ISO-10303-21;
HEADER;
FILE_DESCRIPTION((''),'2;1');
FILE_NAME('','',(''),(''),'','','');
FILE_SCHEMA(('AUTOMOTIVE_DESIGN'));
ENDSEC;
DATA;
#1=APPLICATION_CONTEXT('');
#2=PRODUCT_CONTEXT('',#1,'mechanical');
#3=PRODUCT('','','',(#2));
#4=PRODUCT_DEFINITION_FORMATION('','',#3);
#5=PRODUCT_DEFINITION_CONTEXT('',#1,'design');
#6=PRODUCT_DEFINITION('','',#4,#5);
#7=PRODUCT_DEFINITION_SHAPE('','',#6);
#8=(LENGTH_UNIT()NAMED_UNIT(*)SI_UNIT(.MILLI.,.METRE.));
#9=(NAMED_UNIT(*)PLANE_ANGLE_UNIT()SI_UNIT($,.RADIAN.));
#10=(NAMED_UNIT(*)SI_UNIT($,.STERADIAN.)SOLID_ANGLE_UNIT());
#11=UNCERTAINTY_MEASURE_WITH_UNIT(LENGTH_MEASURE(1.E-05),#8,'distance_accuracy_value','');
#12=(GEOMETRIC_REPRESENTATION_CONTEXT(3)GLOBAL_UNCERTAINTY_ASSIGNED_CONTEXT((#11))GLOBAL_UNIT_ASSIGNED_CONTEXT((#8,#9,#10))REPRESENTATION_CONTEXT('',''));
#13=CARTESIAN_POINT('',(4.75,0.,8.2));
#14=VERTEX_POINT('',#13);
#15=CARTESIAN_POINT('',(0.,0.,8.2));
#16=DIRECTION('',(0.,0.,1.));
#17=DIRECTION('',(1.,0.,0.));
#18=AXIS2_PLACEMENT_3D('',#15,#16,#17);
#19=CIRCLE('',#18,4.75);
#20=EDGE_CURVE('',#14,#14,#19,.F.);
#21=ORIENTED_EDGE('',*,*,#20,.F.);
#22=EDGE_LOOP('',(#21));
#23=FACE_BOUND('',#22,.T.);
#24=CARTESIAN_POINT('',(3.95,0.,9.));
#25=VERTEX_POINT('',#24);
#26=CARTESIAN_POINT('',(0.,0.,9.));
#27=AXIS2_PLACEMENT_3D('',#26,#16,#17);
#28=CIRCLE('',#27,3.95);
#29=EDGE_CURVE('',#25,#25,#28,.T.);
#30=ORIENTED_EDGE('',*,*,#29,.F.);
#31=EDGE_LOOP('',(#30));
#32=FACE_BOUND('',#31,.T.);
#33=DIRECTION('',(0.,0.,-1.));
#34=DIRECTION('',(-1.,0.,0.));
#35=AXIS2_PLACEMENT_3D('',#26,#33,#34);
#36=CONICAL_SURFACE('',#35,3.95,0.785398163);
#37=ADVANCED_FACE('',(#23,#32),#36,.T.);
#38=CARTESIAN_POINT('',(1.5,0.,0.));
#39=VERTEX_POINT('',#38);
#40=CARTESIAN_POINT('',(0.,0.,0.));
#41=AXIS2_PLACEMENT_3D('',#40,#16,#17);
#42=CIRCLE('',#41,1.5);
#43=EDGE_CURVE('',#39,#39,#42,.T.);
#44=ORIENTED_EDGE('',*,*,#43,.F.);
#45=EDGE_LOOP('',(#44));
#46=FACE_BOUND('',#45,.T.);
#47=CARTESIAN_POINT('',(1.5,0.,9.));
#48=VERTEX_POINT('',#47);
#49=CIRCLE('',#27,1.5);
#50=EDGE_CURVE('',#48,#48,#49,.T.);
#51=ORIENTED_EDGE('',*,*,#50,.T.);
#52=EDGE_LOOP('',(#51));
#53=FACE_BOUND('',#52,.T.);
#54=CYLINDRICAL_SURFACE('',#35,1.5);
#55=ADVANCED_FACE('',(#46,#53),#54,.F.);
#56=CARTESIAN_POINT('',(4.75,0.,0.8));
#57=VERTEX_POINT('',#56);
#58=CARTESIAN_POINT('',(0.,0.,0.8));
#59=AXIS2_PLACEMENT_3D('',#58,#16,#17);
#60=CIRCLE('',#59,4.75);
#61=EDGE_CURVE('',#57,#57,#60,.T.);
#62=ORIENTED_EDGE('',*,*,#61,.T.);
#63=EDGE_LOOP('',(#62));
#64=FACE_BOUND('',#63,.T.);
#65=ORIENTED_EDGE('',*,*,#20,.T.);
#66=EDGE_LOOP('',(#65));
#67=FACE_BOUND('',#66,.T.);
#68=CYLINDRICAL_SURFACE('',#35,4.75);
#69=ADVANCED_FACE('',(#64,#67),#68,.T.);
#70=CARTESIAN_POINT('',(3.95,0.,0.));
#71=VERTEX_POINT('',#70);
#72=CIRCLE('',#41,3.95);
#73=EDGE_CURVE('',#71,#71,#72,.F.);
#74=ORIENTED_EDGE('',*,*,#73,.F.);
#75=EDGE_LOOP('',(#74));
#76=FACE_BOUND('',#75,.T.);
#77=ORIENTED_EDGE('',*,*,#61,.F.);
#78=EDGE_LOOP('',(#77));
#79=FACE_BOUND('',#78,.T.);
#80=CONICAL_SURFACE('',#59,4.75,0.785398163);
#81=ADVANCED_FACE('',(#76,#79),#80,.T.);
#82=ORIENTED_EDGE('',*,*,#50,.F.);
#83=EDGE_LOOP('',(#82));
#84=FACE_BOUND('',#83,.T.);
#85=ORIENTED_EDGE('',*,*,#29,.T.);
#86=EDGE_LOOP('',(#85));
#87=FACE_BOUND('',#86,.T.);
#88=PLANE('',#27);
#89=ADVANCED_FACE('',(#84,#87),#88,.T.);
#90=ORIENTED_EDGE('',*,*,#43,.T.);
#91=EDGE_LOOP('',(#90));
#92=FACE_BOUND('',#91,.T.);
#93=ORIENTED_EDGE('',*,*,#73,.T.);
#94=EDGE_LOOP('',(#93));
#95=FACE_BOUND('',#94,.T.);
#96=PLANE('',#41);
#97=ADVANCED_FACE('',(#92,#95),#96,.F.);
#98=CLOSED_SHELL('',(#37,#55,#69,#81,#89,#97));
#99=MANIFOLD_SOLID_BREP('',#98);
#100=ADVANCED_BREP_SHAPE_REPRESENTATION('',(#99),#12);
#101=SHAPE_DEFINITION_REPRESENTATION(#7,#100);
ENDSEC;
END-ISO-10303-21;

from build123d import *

# Parameters (mm, degrees)
SKETCH1_R           = 4.75
SKETCH1_R_2         = 1.5
BOSS_EXTRUDE1_DEPTH = 9
CHAMFER1_SIZE       = 0.8


with BuildPart() as part:
    # Sketch1 → Boss-Extrude1 (new body)
    with BuildSketch(Plane.XY):
        Circle(SKETCH1_R)
        Circle(SKETCH1_R_2, mode=Mode.SUBTRACT)
    extrude(amount=BOSS_EXTRUDE1_DEPTH)

    # Chamfer1
    chamfer1_edges = [part.edges().sort_by_distance(p)[0] for p in [
        (-4.75, 0, 0),
        (-4.75, 0, 9),
    ]]
    chamfer(chamfer1_edges, length=CHAMFER1_SIZE)


solid = part.part
